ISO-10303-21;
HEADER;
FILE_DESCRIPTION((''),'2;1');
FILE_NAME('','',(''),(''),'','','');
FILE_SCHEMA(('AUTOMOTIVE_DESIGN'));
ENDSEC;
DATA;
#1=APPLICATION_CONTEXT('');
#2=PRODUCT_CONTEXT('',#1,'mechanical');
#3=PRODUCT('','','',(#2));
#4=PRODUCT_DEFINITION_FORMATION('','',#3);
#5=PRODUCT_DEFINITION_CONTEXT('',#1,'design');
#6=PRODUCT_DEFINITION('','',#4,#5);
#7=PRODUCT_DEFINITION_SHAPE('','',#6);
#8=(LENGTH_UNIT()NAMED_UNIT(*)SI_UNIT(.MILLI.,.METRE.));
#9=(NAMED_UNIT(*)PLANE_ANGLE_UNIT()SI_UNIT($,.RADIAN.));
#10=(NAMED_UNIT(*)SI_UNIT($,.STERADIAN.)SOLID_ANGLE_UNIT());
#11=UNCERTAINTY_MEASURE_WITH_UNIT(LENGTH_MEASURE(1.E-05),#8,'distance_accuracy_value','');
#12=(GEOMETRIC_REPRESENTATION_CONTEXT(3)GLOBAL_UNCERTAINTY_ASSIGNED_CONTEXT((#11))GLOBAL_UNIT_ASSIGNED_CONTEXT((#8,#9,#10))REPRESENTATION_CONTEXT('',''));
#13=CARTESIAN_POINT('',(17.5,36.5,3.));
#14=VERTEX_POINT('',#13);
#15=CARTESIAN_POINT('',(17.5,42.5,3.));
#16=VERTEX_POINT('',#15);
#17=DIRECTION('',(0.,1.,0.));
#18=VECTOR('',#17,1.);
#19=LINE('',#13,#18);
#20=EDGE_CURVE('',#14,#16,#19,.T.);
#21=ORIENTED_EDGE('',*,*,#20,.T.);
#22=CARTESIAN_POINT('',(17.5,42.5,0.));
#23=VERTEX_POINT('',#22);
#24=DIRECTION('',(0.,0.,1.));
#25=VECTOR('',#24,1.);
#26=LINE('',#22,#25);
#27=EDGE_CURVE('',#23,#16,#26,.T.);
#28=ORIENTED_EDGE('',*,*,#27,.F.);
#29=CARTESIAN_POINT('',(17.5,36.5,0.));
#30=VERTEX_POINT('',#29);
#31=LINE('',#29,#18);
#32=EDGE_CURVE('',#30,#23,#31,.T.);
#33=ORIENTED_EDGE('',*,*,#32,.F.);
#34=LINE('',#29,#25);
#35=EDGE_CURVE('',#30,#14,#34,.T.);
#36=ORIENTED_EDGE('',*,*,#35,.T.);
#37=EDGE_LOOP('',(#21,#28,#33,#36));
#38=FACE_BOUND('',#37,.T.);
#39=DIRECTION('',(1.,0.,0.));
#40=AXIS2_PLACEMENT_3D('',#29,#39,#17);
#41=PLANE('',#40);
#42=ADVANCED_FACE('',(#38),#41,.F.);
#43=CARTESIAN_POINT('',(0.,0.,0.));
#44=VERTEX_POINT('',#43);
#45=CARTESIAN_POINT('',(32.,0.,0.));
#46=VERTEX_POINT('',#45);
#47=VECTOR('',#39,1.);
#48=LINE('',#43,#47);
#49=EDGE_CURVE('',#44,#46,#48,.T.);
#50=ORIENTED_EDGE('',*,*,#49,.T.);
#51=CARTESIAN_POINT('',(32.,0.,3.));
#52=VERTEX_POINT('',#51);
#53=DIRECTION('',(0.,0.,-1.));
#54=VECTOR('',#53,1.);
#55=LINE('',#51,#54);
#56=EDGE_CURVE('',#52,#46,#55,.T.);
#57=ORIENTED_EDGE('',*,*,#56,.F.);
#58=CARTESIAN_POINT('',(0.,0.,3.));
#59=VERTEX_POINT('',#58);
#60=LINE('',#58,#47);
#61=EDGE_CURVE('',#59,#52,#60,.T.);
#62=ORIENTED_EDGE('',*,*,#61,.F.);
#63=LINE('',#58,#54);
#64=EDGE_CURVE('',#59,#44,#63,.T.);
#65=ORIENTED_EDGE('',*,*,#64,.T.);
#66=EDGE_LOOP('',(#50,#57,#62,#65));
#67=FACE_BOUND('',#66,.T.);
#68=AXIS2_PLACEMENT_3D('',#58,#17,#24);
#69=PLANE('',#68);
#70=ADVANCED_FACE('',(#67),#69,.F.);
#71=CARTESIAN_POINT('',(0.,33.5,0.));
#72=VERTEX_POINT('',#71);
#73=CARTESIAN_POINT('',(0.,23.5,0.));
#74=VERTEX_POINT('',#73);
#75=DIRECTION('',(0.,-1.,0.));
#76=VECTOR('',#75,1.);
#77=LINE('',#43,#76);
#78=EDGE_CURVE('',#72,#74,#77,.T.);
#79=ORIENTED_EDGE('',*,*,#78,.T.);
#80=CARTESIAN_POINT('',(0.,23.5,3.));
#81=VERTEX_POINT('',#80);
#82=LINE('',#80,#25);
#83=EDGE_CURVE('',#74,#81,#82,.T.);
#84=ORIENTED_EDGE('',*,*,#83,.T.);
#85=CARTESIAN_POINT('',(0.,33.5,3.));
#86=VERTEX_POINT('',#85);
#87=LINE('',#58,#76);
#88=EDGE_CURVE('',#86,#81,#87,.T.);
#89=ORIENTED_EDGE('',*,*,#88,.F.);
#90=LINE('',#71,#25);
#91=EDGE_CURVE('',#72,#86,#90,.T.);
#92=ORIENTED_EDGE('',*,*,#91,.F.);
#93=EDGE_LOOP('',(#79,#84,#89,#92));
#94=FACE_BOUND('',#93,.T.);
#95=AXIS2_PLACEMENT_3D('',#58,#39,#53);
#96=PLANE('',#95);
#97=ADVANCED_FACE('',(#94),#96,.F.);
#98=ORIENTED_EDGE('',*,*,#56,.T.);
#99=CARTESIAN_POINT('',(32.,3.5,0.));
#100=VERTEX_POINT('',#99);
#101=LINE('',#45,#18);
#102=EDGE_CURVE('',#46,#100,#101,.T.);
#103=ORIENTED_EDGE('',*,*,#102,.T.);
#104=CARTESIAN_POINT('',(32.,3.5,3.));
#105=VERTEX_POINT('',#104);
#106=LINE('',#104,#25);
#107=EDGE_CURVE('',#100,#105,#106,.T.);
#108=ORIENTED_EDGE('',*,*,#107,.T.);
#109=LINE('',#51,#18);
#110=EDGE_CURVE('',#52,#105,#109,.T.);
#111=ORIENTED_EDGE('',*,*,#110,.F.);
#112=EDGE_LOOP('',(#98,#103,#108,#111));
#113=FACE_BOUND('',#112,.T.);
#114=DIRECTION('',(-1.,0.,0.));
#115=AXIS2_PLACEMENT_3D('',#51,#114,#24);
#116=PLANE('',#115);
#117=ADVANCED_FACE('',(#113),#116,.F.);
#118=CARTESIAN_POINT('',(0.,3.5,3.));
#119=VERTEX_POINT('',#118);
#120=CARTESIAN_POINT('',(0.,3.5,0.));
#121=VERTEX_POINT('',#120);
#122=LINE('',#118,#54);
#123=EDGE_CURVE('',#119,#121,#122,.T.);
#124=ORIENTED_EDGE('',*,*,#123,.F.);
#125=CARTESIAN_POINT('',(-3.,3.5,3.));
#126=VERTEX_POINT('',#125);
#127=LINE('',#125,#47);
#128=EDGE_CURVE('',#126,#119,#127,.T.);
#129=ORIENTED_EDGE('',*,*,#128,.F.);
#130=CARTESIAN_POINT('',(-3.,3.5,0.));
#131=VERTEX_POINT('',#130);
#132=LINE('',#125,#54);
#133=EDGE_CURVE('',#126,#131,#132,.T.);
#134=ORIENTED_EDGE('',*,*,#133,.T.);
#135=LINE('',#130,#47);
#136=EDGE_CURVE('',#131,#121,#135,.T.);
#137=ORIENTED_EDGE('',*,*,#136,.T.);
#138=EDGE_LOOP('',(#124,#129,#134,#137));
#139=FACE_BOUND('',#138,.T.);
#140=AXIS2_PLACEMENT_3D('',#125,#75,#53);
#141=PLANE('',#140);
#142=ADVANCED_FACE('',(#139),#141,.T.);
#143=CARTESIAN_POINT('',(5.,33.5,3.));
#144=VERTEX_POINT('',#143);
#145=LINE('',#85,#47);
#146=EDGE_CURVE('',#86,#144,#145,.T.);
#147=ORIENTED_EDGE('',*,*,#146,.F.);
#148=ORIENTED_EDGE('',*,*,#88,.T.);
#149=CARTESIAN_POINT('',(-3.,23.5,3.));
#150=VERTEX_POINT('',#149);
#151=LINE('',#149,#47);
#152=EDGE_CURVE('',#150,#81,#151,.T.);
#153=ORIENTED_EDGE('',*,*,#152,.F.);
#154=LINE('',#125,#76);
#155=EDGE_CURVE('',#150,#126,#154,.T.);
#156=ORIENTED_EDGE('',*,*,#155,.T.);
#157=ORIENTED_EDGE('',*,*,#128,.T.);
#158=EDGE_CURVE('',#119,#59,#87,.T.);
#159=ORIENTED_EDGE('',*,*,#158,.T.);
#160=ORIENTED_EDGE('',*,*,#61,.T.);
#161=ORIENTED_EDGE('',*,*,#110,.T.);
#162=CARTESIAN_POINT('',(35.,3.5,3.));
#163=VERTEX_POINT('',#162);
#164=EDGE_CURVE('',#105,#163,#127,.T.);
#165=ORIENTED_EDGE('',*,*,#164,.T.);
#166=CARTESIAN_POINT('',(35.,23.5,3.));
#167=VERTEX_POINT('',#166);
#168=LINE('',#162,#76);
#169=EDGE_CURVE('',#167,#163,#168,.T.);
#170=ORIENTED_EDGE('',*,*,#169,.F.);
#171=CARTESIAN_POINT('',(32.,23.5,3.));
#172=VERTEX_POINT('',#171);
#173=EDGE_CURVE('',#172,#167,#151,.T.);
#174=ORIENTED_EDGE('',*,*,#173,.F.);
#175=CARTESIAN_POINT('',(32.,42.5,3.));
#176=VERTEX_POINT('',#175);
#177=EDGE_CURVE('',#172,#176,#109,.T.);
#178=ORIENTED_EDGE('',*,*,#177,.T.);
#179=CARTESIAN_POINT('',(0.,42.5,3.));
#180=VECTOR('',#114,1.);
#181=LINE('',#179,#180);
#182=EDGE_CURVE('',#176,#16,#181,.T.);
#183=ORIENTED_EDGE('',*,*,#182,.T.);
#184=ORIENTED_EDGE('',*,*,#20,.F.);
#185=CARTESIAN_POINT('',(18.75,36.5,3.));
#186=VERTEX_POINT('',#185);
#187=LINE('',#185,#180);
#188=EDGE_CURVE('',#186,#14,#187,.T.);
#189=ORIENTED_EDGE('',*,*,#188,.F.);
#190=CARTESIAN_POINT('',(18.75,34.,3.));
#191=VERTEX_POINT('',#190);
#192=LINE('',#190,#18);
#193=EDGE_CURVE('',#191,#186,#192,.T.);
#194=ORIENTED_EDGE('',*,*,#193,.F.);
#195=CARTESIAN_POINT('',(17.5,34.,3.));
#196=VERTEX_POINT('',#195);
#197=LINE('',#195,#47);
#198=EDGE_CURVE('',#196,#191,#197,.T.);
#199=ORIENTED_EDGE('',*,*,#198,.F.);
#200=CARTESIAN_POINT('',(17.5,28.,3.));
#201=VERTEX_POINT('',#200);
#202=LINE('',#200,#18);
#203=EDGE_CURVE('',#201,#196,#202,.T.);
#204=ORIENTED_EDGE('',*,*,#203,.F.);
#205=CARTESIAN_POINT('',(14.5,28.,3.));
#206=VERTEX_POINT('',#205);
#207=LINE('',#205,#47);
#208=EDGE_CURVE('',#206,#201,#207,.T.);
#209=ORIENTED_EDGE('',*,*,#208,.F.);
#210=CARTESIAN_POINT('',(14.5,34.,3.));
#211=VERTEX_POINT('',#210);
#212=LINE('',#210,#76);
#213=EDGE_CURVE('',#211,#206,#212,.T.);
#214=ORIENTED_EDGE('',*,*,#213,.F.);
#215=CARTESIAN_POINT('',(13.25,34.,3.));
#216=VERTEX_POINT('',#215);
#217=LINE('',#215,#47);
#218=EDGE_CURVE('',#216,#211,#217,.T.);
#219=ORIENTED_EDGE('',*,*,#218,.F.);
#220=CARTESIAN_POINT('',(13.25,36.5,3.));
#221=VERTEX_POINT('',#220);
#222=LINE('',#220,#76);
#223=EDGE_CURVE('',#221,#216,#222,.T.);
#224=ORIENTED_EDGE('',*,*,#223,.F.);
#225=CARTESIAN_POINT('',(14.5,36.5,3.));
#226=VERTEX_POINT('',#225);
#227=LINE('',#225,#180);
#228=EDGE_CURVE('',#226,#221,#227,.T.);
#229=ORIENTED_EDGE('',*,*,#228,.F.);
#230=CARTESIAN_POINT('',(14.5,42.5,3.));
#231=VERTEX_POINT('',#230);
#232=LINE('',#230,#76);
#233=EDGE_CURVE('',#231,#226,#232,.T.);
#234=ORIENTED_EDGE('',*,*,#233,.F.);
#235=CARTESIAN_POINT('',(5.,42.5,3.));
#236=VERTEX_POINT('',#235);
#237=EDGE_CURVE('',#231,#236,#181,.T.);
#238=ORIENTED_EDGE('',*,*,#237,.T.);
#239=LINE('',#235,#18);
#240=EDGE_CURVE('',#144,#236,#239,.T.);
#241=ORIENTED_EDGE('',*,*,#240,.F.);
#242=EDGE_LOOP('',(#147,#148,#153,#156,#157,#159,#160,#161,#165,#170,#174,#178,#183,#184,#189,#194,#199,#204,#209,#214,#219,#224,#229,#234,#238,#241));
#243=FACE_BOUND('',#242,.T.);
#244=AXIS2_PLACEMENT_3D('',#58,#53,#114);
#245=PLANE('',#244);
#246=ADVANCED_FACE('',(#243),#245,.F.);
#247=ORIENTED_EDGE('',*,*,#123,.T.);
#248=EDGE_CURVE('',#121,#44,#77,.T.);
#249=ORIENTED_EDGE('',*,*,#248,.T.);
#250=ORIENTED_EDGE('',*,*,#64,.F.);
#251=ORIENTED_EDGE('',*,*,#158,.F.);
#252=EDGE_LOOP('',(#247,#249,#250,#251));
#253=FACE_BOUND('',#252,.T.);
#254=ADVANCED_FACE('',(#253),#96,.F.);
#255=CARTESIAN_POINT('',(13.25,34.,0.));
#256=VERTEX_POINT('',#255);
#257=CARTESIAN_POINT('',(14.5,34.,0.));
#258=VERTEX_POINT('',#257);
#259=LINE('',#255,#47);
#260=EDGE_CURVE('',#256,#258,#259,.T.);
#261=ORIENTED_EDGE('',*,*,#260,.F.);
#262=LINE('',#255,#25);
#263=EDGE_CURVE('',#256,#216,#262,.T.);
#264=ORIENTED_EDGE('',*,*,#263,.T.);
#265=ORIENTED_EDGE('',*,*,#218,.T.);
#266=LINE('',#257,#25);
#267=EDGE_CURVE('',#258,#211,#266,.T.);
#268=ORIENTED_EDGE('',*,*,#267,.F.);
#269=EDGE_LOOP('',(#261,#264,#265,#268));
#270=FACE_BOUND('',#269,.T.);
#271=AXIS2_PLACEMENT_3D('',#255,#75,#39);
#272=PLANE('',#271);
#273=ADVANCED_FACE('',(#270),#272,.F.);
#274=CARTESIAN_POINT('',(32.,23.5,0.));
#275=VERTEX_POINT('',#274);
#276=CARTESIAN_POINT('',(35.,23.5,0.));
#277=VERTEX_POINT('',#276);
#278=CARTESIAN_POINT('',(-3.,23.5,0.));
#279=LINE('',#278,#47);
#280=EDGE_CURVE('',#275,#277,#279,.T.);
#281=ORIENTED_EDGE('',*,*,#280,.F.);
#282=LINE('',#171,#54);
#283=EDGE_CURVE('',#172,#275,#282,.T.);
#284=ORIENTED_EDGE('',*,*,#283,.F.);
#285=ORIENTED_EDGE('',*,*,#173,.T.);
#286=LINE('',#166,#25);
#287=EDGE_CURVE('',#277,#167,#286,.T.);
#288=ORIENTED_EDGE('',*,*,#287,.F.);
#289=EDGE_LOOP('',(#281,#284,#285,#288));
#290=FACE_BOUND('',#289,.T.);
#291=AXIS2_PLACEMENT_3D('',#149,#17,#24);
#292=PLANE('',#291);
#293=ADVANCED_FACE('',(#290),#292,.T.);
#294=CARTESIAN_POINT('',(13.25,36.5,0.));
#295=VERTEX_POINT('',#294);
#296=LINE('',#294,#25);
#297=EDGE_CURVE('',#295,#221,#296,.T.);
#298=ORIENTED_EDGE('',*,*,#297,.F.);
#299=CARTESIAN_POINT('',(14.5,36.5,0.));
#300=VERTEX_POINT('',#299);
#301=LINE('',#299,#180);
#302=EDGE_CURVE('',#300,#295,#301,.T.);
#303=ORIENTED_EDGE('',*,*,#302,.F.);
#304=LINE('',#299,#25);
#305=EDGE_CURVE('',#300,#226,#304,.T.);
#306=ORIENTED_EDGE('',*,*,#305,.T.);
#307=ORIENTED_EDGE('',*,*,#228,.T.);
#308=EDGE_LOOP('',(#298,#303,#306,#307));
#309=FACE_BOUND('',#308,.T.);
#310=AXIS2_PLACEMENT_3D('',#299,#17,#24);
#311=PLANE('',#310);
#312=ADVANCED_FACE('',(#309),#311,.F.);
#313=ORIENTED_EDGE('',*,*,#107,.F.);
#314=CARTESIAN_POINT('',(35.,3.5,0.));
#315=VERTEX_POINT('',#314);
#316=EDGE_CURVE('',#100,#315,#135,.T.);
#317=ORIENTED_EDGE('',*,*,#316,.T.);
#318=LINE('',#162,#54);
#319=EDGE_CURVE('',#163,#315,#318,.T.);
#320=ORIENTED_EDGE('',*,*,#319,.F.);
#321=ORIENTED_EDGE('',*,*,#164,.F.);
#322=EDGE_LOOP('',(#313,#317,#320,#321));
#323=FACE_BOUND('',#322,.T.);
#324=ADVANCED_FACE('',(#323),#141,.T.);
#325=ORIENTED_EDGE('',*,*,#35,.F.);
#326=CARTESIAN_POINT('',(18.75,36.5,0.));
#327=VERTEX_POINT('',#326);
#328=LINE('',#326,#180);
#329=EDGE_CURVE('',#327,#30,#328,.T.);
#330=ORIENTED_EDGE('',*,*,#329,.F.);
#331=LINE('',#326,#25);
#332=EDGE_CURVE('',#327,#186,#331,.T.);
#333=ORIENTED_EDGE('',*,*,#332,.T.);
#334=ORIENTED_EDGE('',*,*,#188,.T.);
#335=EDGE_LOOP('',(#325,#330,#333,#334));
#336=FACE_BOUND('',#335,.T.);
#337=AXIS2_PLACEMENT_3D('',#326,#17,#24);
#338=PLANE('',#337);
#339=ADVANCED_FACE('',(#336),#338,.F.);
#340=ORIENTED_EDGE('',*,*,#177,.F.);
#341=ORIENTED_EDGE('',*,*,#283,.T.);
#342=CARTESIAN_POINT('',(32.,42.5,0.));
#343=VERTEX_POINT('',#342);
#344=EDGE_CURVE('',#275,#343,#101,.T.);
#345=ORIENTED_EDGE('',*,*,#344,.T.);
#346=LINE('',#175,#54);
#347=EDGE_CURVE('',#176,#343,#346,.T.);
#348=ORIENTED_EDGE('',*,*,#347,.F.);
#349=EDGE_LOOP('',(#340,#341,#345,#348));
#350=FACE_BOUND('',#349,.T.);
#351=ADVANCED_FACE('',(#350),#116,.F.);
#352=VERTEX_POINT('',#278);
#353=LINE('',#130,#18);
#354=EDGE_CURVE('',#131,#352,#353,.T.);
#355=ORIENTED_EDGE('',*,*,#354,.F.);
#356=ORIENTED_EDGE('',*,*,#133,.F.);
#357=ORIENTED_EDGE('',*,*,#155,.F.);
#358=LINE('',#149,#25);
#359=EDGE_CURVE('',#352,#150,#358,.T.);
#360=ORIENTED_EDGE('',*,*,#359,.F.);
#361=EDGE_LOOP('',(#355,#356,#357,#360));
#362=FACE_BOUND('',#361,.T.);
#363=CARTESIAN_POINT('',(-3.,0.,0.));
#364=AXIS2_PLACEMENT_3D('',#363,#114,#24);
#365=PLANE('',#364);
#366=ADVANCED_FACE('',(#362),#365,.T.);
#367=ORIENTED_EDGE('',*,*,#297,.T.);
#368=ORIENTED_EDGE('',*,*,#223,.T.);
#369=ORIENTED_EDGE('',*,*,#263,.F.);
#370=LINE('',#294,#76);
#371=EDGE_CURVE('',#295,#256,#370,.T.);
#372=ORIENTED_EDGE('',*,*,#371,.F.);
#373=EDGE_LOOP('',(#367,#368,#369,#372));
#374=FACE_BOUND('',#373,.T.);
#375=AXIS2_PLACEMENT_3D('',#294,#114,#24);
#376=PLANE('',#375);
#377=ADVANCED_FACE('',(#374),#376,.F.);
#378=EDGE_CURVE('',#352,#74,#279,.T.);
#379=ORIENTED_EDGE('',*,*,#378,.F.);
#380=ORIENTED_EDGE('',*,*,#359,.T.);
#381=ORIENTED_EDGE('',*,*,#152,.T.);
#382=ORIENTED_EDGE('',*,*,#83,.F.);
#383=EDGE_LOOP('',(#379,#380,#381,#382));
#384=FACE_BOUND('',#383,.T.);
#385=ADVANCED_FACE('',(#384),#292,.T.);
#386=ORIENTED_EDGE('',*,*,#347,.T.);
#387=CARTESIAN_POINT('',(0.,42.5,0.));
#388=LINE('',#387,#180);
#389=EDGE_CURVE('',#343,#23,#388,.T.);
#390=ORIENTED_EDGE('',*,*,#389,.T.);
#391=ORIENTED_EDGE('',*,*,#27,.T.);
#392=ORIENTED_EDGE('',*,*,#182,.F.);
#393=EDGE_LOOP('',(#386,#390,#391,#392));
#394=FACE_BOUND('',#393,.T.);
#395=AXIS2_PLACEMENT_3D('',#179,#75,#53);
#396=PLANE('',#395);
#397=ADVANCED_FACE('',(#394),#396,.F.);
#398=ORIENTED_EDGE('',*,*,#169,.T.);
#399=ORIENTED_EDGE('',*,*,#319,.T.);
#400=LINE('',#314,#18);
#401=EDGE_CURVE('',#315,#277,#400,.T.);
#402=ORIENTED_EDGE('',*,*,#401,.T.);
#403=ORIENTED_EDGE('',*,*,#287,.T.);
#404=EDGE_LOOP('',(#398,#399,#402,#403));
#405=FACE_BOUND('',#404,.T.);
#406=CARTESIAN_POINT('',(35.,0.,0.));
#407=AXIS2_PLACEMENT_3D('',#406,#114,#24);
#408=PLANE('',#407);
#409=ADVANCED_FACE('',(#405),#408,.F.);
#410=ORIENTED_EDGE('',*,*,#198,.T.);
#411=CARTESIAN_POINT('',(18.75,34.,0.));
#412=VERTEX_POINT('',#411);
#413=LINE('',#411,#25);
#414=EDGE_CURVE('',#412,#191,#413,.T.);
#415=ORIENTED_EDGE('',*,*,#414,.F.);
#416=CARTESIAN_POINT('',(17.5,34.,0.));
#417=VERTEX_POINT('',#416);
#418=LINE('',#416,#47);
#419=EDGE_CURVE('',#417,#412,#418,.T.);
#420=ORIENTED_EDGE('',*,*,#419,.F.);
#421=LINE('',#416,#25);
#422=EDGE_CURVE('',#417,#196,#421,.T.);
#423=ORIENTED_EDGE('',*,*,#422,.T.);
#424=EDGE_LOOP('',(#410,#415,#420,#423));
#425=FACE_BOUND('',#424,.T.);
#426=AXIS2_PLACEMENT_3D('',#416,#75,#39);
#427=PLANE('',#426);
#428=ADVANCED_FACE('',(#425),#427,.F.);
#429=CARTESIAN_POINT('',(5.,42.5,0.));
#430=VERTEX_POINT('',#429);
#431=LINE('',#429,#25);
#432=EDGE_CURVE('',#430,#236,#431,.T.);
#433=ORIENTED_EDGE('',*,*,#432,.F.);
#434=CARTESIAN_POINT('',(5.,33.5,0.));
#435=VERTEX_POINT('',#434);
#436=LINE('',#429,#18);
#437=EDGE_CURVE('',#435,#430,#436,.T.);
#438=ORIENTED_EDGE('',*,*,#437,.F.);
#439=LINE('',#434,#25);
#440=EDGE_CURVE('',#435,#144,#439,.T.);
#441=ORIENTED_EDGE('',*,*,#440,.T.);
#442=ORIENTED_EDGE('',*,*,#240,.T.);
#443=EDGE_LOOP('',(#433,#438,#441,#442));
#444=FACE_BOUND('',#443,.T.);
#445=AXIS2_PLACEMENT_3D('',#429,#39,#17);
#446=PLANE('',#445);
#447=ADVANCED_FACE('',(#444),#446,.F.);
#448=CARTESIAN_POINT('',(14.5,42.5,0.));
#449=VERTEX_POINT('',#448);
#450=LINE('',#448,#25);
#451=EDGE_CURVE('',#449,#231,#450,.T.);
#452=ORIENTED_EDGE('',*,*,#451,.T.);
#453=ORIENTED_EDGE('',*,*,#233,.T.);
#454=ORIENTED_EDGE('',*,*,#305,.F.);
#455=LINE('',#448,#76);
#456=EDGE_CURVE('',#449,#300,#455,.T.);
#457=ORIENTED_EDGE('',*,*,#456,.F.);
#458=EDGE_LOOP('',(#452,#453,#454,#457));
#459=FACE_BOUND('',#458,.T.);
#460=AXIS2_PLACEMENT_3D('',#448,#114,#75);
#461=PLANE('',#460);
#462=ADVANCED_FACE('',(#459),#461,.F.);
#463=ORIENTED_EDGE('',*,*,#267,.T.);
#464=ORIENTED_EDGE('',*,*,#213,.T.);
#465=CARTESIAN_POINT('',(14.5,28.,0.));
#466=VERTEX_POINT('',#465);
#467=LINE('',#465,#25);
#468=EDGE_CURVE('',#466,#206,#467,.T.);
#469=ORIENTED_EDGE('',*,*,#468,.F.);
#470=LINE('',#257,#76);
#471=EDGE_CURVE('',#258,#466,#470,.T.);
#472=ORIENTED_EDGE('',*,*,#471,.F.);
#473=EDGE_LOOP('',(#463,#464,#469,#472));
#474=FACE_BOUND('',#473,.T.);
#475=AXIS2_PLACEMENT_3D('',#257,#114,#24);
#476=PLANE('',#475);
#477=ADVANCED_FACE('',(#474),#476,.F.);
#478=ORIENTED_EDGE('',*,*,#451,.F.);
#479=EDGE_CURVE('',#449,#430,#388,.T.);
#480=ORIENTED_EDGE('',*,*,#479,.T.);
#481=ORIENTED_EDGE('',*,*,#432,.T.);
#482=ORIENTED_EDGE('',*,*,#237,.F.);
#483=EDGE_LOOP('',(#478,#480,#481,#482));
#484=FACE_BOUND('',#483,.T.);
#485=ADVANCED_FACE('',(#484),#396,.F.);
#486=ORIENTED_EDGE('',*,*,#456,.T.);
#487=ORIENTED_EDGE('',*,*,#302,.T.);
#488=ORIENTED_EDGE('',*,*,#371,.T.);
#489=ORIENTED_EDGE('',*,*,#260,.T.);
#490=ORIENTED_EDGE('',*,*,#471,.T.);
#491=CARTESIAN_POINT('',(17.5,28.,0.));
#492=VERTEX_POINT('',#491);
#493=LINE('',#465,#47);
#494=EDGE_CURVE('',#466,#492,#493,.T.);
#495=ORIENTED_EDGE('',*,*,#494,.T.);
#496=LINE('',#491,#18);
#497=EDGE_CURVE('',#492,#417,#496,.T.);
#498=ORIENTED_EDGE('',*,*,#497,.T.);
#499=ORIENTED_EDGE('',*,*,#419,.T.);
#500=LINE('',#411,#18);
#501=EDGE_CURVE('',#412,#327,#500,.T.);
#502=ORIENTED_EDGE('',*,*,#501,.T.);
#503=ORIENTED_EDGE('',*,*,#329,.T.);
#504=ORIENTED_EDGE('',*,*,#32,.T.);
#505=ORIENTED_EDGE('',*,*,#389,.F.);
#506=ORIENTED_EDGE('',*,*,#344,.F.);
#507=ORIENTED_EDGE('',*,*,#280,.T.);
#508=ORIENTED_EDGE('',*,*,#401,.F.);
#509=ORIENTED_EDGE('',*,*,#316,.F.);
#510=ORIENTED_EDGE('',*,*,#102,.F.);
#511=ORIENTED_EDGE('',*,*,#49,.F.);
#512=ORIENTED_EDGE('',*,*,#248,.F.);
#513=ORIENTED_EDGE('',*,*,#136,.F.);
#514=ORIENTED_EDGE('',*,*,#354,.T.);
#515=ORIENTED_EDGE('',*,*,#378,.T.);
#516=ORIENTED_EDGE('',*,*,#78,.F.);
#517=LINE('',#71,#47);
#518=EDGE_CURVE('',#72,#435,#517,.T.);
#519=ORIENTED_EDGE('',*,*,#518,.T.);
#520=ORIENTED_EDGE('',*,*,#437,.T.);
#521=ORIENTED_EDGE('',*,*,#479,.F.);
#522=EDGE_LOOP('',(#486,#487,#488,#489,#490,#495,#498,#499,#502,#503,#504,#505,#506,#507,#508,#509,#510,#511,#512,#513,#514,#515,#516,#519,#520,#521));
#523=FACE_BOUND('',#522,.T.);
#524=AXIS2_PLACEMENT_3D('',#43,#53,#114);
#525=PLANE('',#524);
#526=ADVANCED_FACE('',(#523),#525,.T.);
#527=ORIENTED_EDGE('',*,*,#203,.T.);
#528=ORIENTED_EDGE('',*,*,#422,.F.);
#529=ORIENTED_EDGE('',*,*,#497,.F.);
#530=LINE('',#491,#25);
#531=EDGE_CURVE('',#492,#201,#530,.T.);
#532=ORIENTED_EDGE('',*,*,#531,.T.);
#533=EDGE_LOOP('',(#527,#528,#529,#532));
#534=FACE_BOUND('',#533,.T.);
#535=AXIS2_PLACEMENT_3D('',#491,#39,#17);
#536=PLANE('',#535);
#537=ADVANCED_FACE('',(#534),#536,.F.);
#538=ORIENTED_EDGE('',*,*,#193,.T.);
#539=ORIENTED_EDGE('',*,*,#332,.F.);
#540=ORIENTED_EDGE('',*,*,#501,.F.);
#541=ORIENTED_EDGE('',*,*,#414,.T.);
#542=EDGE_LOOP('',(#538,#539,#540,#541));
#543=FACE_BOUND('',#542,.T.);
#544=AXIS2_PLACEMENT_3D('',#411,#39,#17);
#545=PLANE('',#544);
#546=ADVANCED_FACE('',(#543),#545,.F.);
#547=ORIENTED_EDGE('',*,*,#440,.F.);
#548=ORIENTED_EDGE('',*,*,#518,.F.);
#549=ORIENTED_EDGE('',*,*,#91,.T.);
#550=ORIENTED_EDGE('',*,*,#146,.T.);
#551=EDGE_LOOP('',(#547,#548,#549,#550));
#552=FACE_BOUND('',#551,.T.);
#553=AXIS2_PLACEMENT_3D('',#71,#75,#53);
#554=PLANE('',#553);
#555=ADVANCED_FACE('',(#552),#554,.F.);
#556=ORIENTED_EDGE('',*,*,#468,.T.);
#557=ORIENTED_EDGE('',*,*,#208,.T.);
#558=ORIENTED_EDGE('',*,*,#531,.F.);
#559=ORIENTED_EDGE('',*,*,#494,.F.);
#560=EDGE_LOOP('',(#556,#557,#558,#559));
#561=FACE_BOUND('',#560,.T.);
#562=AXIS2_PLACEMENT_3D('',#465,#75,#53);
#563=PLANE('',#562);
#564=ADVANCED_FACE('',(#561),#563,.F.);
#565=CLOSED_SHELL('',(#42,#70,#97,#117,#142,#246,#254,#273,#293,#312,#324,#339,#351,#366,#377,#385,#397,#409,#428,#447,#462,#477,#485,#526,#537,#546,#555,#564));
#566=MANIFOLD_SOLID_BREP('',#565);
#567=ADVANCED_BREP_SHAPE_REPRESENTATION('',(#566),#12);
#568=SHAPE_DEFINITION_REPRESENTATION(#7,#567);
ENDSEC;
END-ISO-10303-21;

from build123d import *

# Parameters (mm, degrees)
SKETCH_1_W           = 32
SKETCH_1_H           = 42.5
EXTRUDE_1_DEPTH      = 3
EXTRUDE_2_DEPTH      = 3
EXTRUDE_2_DEPTH_BACK = 35
SKETCH_2_W           = 3
SKETCH_2_H           = 20
CUT_EXTRUDE_1_DEPTH  = 3
SKETCH_4_W           = 5
SKETCH_4_H           = 9
CUT_EXTRUDE_2_DEPTH  = 3


with BuildPart() as part:
    # Sketch 1 → Extrude 1 (new body)
    with BuildSketch(Plane.XY):
        with Locations((16, 21.25)):
            Rectangle(SKETCH_1_W, SKETCH_1_H)
    extrude(amount=EXTRUDE_1_DEPTH)

    # Sketch 2 → Extrude 2 (add, two sides: drawn at the far end of the back side and taken through both)
    with BuildSketch(Plane(origin=(32, 0, 0), x_dir=(0, 0, -1), z_dir=(1, 0, 0)).offset(-EXTRUDE_2_DEPTH_BACK)):
        with Locations((-1.5, 13.5)):
            Rectangle(SKETCH_2_W, SKETCH_2_H)
    extrude(amount=EXTRUDE_2_DEPTH + EXTRUDE_2_DEPTH_BACK)

    # Sketch 3 → Cut-Extrude 1 (cut)
    with BuildSketch(Plane.XY.offset(3)):
        Polygon((14.5, 42.5), (14.5, 36.5), (13.25, 36.5), (13.25, 34), (14.5, 34), (14.5, 28), (17.5, 28), (17.5, 34), (18.75, 34), (18.75, 36.5), (17.5, 36.5), (17.5, 42.5), align=None)
    extrude(amount=-CUT_EXTRUDE_1_DEPTH, mode=Mode.SUBTRACT)

    # Sketch 4 → Cut-Extrude 2 (cut)
    with BuildSketch(Plane.XY.offset(3)):
        with Locations((2.5, 38)):
            Rectangle(SKETCH_4_W, SKETCH_4_H)
    extrude(amount=-CUT_EXTRUDE_2_DEPTH, mode=Mode.SUBTRACT)


solid = part.part
